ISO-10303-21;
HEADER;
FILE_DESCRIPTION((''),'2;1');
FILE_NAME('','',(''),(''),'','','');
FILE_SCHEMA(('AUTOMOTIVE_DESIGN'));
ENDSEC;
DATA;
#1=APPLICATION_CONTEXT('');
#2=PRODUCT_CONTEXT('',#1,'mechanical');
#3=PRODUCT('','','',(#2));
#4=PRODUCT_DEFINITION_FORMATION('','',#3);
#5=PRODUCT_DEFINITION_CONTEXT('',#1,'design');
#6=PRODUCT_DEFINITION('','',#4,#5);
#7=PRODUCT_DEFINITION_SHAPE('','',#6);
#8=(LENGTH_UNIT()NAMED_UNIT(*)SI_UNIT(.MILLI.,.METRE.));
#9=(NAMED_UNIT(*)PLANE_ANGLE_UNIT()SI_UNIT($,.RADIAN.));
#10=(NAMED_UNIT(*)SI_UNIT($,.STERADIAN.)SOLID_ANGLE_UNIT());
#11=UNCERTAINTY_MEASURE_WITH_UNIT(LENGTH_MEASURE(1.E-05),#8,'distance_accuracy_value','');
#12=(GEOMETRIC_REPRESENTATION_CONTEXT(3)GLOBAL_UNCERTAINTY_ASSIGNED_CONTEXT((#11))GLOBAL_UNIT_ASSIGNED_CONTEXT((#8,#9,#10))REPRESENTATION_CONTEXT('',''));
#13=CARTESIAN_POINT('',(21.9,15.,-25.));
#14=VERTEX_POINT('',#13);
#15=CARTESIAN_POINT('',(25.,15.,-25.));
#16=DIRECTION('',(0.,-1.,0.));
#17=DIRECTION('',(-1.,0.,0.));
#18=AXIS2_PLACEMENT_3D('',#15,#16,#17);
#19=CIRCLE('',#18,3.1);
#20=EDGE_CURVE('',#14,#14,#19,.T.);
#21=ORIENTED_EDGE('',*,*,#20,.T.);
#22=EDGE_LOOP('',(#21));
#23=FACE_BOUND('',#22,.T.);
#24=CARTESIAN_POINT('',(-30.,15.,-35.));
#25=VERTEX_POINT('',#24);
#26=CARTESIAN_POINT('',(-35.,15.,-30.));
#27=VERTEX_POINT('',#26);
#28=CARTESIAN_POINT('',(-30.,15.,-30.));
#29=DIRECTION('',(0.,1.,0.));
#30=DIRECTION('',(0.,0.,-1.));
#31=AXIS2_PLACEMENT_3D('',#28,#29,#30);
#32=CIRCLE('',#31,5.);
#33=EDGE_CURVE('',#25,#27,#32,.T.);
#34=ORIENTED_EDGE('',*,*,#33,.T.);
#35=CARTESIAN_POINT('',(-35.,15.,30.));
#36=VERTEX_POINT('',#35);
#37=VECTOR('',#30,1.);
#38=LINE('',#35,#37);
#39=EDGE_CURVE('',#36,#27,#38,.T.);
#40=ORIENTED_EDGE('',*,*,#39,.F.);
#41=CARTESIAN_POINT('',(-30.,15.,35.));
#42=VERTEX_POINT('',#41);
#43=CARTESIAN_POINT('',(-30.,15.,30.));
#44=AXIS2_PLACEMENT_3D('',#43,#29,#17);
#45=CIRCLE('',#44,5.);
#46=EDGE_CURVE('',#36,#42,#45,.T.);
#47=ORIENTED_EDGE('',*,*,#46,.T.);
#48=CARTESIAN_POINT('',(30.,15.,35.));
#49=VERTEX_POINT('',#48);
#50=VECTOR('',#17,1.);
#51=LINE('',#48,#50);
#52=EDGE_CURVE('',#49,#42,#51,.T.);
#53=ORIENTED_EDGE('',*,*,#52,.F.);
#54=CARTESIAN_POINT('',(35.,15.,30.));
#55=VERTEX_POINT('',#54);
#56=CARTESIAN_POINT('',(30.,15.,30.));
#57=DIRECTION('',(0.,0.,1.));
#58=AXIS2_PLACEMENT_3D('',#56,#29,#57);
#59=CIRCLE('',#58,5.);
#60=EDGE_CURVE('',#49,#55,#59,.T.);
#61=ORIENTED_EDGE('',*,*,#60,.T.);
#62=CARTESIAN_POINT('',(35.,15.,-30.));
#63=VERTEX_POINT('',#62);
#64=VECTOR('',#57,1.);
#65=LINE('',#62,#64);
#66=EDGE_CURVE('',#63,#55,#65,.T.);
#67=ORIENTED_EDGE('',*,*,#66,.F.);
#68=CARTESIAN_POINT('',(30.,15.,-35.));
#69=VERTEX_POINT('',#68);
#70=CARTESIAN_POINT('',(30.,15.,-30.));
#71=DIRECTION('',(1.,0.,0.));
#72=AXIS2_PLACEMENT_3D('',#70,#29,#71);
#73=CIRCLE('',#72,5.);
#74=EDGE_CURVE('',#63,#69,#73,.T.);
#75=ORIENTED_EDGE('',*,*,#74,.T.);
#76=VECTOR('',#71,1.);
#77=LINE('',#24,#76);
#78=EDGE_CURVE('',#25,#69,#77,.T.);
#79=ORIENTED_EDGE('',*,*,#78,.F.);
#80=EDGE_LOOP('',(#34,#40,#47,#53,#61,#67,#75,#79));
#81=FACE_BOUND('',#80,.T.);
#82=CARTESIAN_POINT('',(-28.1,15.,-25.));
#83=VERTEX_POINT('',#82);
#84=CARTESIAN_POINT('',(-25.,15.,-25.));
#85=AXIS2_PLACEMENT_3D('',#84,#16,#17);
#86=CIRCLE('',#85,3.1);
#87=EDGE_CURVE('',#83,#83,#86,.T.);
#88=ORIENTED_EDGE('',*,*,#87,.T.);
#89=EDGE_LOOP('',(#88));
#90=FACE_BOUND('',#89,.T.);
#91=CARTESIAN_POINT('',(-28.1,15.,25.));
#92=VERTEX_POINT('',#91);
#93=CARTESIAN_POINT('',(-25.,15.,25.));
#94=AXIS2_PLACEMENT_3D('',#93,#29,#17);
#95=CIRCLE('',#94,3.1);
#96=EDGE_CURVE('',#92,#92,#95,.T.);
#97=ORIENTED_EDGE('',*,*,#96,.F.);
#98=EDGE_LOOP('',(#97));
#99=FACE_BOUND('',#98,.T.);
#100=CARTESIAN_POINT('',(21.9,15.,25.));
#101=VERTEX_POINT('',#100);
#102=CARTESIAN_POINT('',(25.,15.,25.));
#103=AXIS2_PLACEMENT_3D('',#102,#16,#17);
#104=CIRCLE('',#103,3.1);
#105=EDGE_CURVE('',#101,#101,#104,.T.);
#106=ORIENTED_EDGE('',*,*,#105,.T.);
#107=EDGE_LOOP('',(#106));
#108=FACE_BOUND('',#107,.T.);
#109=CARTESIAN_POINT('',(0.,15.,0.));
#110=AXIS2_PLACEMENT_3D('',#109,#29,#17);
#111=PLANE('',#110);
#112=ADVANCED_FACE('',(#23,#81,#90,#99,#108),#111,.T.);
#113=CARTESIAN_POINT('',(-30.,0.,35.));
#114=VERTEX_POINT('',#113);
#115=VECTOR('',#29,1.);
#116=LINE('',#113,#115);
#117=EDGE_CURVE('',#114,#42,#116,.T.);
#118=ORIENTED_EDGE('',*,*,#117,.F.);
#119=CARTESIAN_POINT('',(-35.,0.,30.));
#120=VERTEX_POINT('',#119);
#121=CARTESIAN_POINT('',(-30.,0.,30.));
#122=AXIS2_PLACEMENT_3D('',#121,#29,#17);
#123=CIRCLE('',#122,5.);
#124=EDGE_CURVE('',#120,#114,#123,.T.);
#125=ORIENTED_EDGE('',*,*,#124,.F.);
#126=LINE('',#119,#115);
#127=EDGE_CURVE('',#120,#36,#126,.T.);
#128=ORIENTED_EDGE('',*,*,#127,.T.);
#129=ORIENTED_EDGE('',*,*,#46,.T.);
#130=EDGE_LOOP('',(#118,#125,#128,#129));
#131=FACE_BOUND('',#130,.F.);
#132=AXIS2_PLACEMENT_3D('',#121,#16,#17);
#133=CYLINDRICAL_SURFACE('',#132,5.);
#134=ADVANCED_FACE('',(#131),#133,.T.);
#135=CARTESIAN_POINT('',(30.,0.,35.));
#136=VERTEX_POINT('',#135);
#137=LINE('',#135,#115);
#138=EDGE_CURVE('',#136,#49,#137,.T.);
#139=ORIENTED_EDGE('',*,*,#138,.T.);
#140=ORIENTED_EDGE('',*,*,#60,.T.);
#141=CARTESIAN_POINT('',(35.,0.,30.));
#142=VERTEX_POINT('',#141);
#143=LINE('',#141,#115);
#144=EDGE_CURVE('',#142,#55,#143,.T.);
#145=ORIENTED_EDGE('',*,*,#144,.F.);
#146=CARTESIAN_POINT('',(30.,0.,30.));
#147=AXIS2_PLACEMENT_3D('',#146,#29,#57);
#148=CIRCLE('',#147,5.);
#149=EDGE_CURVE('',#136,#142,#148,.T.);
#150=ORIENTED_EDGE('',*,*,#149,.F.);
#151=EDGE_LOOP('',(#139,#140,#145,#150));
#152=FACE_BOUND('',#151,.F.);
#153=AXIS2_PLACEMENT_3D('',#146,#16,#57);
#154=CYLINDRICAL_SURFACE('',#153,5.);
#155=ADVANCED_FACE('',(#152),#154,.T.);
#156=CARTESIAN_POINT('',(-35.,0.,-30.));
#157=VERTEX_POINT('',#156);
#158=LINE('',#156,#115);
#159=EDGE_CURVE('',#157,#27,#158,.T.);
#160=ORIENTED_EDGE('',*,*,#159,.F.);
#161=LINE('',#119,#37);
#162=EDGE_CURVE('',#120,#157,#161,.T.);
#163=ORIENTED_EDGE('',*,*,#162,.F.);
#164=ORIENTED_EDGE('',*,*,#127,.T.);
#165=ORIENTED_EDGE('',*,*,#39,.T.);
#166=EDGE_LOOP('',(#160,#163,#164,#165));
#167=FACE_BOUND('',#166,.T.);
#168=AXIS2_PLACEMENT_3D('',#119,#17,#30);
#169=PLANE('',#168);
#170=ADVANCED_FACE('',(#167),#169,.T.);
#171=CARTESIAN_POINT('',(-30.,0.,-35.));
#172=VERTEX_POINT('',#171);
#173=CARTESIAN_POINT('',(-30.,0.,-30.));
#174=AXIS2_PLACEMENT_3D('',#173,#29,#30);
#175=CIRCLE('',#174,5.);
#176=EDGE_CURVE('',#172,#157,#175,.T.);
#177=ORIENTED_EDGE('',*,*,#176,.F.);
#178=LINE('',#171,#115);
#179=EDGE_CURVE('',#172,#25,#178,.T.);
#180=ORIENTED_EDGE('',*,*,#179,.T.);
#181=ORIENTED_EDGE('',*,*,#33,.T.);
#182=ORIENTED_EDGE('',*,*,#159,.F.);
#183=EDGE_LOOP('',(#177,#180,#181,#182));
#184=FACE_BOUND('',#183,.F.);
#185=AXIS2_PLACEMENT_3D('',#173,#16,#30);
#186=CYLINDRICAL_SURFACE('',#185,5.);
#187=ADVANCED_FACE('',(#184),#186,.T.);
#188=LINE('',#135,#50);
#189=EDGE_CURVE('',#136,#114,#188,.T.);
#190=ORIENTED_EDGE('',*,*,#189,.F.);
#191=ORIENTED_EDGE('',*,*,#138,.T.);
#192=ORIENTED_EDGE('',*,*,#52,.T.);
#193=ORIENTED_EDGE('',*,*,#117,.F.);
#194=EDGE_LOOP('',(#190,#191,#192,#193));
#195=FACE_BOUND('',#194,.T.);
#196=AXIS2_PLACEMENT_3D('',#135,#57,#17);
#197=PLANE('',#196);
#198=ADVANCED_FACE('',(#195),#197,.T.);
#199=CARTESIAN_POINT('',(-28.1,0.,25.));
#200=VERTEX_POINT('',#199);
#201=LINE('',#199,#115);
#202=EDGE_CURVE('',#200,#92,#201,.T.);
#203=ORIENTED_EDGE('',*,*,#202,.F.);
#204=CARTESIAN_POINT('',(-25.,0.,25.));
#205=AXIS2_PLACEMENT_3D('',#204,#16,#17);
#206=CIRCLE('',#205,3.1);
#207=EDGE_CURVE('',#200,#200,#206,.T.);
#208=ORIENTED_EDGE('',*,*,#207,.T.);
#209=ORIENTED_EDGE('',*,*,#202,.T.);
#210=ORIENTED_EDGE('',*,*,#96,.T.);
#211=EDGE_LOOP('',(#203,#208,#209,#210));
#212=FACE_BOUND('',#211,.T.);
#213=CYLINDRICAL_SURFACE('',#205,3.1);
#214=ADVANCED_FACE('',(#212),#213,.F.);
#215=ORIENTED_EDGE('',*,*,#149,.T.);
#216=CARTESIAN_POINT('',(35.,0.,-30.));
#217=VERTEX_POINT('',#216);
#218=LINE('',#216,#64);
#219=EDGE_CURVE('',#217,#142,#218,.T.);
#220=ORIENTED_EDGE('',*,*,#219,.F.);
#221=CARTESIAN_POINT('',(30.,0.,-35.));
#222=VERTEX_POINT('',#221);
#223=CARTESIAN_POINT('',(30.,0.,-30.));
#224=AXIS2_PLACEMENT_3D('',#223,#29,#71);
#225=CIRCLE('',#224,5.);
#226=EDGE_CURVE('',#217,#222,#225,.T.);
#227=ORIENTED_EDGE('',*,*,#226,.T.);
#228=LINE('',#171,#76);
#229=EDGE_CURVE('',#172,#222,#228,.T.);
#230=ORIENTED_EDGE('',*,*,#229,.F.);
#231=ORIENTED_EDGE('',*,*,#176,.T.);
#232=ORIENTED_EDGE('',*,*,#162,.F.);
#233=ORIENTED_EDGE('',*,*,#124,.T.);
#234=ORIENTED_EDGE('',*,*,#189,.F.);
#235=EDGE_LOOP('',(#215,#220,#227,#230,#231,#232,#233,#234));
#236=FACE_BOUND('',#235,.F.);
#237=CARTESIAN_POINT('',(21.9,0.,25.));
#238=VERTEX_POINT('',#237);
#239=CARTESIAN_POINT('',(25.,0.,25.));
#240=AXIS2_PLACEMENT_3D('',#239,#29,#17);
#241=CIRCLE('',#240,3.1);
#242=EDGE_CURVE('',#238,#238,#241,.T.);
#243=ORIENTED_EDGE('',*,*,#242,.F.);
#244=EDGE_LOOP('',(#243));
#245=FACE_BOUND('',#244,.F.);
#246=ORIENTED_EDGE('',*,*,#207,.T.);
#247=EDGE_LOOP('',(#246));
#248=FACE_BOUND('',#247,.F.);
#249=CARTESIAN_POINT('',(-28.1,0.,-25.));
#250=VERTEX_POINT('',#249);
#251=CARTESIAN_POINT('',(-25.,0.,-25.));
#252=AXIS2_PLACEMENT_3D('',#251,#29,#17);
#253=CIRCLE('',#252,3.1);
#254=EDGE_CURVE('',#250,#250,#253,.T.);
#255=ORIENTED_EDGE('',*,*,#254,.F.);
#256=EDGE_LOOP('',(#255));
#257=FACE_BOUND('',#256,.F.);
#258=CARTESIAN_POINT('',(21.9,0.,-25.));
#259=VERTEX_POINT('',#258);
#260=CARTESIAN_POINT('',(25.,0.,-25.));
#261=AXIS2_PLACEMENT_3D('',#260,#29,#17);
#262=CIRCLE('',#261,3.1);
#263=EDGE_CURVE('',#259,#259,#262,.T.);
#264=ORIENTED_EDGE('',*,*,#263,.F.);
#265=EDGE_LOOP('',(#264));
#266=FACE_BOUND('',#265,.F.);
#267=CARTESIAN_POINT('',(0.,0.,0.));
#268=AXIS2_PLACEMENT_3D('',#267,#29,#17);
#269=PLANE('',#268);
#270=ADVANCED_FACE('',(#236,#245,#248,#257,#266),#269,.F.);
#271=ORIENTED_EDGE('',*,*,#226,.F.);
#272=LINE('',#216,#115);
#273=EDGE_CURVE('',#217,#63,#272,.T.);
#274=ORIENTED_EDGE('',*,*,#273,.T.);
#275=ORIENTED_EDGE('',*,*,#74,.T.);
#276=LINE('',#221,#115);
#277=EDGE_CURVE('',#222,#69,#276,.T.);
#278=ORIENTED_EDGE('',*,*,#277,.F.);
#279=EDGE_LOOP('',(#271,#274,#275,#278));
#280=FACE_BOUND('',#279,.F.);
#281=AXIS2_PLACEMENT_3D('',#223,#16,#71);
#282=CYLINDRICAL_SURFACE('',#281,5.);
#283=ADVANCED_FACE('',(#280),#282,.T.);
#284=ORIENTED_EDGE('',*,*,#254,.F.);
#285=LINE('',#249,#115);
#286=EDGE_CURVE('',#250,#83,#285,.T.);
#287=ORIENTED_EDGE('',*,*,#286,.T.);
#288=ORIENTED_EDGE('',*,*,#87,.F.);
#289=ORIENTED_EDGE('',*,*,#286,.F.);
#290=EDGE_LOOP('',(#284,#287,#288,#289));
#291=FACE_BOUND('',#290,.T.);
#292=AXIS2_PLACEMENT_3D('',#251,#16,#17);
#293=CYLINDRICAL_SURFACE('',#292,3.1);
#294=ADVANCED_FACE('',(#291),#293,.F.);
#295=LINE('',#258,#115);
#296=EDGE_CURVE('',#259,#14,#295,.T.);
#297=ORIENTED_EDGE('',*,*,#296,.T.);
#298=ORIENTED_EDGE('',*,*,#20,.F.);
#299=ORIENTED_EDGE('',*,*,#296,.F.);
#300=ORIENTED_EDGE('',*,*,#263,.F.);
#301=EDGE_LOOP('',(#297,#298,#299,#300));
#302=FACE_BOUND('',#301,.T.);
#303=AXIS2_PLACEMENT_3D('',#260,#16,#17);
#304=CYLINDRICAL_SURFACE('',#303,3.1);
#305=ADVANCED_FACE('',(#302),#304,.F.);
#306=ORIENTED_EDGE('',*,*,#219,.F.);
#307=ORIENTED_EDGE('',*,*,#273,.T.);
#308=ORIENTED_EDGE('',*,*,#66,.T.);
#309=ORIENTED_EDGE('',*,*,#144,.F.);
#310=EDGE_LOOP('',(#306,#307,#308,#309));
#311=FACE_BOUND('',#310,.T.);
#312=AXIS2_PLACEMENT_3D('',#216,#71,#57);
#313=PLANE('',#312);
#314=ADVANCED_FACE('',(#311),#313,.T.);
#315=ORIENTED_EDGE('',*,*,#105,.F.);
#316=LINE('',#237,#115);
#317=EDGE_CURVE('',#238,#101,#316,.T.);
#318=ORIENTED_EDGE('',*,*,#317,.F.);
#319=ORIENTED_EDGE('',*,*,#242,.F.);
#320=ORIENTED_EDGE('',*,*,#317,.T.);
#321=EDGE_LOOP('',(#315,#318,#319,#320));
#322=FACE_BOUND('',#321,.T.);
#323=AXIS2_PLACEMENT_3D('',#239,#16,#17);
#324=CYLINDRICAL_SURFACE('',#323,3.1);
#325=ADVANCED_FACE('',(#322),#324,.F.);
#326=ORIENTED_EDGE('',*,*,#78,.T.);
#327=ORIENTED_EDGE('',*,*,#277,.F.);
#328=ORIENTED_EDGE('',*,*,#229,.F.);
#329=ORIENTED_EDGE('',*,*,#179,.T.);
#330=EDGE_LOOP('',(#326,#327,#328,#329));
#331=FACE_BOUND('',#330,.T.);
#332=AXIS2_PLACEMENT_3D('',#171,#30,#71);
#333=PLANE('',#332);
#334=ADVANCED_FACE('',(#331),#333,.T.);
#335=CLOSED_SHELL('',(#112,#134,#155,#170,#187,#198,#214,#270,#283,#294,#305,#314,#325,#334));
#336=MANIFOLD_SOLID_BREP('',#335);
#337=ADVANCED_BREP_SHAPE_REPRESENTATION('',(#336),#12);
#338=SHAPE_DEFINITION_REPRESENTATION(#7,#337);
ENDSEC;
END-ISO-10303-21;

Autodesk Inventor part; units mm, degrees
ref_plane "YZ Plane" through (0, 0, 0) normal (1, 0, 0) x (0, 1, 0)
ref_plane "XZ Plane" through (0, 0, 0) normal (0, 1, 0) x (-1, 0, 0)
ref_plane "XY Plane" through (0, 0, 0) normal (0, 0, 1) x (1, 0, 0)
sketch "스케치1" plane through (0, 0, 0) normal (0, 1, 0) x (-1, 0, 0)
  line L0 (25, 25) -> (-25, 25)
  line L1 (-25, 25) -> (-25, -25)
  line L2 (-25, -25) -> (25, -25)
  line L3 (25, -25) -> (25, 25)
  line L4 (25, 25) -> (-25, -25) construction
  line L5 (-25, 25) -> (25, -25) construction
  circle A0 centre (25, -25) radius 3.1
  circle A1 centre (25, 25) radius 3.1
  circle A2 centre (-25, 25) radius 3.1
  circle A3 centre (-25, -25) radius 3.1
  line L6 (-35, -30) -> (-35, 30)
  line L7 (-30, 35) -> (30, 35)
  line L8 (35, 30) -> (35, -30)
  line L9 (30, -35) -> (-30, -35)
  arc A4 (30, -35) -> (35, -30) centre (30, -30) ccw
  arc A5 (35, 30) -> (30, 35) centre (30, 30) ccw
  arc A6 (-30, 35) -> (-35, 30) centre (-30, 30) ccw
  arc A7 (-35, -30) -> (-30, -35) centre (-30, -30) ccw
  point P0 (0, 0)
  dimension "d0" = 50
  dimension "d1" = 50
  dimension "d2" = 6.2
  dimension "d5" = 360
  dimension "d7" = 10
  dimension "d8" = 5
extrude "돌출1" add sketch "스케치1" along normal blind 15 contours L0 A1 L3 A0 L2 A3 L1 A2 | L6 A6 L7 A5 L8 A4 L9 A7
properties part number "post_bottom"
